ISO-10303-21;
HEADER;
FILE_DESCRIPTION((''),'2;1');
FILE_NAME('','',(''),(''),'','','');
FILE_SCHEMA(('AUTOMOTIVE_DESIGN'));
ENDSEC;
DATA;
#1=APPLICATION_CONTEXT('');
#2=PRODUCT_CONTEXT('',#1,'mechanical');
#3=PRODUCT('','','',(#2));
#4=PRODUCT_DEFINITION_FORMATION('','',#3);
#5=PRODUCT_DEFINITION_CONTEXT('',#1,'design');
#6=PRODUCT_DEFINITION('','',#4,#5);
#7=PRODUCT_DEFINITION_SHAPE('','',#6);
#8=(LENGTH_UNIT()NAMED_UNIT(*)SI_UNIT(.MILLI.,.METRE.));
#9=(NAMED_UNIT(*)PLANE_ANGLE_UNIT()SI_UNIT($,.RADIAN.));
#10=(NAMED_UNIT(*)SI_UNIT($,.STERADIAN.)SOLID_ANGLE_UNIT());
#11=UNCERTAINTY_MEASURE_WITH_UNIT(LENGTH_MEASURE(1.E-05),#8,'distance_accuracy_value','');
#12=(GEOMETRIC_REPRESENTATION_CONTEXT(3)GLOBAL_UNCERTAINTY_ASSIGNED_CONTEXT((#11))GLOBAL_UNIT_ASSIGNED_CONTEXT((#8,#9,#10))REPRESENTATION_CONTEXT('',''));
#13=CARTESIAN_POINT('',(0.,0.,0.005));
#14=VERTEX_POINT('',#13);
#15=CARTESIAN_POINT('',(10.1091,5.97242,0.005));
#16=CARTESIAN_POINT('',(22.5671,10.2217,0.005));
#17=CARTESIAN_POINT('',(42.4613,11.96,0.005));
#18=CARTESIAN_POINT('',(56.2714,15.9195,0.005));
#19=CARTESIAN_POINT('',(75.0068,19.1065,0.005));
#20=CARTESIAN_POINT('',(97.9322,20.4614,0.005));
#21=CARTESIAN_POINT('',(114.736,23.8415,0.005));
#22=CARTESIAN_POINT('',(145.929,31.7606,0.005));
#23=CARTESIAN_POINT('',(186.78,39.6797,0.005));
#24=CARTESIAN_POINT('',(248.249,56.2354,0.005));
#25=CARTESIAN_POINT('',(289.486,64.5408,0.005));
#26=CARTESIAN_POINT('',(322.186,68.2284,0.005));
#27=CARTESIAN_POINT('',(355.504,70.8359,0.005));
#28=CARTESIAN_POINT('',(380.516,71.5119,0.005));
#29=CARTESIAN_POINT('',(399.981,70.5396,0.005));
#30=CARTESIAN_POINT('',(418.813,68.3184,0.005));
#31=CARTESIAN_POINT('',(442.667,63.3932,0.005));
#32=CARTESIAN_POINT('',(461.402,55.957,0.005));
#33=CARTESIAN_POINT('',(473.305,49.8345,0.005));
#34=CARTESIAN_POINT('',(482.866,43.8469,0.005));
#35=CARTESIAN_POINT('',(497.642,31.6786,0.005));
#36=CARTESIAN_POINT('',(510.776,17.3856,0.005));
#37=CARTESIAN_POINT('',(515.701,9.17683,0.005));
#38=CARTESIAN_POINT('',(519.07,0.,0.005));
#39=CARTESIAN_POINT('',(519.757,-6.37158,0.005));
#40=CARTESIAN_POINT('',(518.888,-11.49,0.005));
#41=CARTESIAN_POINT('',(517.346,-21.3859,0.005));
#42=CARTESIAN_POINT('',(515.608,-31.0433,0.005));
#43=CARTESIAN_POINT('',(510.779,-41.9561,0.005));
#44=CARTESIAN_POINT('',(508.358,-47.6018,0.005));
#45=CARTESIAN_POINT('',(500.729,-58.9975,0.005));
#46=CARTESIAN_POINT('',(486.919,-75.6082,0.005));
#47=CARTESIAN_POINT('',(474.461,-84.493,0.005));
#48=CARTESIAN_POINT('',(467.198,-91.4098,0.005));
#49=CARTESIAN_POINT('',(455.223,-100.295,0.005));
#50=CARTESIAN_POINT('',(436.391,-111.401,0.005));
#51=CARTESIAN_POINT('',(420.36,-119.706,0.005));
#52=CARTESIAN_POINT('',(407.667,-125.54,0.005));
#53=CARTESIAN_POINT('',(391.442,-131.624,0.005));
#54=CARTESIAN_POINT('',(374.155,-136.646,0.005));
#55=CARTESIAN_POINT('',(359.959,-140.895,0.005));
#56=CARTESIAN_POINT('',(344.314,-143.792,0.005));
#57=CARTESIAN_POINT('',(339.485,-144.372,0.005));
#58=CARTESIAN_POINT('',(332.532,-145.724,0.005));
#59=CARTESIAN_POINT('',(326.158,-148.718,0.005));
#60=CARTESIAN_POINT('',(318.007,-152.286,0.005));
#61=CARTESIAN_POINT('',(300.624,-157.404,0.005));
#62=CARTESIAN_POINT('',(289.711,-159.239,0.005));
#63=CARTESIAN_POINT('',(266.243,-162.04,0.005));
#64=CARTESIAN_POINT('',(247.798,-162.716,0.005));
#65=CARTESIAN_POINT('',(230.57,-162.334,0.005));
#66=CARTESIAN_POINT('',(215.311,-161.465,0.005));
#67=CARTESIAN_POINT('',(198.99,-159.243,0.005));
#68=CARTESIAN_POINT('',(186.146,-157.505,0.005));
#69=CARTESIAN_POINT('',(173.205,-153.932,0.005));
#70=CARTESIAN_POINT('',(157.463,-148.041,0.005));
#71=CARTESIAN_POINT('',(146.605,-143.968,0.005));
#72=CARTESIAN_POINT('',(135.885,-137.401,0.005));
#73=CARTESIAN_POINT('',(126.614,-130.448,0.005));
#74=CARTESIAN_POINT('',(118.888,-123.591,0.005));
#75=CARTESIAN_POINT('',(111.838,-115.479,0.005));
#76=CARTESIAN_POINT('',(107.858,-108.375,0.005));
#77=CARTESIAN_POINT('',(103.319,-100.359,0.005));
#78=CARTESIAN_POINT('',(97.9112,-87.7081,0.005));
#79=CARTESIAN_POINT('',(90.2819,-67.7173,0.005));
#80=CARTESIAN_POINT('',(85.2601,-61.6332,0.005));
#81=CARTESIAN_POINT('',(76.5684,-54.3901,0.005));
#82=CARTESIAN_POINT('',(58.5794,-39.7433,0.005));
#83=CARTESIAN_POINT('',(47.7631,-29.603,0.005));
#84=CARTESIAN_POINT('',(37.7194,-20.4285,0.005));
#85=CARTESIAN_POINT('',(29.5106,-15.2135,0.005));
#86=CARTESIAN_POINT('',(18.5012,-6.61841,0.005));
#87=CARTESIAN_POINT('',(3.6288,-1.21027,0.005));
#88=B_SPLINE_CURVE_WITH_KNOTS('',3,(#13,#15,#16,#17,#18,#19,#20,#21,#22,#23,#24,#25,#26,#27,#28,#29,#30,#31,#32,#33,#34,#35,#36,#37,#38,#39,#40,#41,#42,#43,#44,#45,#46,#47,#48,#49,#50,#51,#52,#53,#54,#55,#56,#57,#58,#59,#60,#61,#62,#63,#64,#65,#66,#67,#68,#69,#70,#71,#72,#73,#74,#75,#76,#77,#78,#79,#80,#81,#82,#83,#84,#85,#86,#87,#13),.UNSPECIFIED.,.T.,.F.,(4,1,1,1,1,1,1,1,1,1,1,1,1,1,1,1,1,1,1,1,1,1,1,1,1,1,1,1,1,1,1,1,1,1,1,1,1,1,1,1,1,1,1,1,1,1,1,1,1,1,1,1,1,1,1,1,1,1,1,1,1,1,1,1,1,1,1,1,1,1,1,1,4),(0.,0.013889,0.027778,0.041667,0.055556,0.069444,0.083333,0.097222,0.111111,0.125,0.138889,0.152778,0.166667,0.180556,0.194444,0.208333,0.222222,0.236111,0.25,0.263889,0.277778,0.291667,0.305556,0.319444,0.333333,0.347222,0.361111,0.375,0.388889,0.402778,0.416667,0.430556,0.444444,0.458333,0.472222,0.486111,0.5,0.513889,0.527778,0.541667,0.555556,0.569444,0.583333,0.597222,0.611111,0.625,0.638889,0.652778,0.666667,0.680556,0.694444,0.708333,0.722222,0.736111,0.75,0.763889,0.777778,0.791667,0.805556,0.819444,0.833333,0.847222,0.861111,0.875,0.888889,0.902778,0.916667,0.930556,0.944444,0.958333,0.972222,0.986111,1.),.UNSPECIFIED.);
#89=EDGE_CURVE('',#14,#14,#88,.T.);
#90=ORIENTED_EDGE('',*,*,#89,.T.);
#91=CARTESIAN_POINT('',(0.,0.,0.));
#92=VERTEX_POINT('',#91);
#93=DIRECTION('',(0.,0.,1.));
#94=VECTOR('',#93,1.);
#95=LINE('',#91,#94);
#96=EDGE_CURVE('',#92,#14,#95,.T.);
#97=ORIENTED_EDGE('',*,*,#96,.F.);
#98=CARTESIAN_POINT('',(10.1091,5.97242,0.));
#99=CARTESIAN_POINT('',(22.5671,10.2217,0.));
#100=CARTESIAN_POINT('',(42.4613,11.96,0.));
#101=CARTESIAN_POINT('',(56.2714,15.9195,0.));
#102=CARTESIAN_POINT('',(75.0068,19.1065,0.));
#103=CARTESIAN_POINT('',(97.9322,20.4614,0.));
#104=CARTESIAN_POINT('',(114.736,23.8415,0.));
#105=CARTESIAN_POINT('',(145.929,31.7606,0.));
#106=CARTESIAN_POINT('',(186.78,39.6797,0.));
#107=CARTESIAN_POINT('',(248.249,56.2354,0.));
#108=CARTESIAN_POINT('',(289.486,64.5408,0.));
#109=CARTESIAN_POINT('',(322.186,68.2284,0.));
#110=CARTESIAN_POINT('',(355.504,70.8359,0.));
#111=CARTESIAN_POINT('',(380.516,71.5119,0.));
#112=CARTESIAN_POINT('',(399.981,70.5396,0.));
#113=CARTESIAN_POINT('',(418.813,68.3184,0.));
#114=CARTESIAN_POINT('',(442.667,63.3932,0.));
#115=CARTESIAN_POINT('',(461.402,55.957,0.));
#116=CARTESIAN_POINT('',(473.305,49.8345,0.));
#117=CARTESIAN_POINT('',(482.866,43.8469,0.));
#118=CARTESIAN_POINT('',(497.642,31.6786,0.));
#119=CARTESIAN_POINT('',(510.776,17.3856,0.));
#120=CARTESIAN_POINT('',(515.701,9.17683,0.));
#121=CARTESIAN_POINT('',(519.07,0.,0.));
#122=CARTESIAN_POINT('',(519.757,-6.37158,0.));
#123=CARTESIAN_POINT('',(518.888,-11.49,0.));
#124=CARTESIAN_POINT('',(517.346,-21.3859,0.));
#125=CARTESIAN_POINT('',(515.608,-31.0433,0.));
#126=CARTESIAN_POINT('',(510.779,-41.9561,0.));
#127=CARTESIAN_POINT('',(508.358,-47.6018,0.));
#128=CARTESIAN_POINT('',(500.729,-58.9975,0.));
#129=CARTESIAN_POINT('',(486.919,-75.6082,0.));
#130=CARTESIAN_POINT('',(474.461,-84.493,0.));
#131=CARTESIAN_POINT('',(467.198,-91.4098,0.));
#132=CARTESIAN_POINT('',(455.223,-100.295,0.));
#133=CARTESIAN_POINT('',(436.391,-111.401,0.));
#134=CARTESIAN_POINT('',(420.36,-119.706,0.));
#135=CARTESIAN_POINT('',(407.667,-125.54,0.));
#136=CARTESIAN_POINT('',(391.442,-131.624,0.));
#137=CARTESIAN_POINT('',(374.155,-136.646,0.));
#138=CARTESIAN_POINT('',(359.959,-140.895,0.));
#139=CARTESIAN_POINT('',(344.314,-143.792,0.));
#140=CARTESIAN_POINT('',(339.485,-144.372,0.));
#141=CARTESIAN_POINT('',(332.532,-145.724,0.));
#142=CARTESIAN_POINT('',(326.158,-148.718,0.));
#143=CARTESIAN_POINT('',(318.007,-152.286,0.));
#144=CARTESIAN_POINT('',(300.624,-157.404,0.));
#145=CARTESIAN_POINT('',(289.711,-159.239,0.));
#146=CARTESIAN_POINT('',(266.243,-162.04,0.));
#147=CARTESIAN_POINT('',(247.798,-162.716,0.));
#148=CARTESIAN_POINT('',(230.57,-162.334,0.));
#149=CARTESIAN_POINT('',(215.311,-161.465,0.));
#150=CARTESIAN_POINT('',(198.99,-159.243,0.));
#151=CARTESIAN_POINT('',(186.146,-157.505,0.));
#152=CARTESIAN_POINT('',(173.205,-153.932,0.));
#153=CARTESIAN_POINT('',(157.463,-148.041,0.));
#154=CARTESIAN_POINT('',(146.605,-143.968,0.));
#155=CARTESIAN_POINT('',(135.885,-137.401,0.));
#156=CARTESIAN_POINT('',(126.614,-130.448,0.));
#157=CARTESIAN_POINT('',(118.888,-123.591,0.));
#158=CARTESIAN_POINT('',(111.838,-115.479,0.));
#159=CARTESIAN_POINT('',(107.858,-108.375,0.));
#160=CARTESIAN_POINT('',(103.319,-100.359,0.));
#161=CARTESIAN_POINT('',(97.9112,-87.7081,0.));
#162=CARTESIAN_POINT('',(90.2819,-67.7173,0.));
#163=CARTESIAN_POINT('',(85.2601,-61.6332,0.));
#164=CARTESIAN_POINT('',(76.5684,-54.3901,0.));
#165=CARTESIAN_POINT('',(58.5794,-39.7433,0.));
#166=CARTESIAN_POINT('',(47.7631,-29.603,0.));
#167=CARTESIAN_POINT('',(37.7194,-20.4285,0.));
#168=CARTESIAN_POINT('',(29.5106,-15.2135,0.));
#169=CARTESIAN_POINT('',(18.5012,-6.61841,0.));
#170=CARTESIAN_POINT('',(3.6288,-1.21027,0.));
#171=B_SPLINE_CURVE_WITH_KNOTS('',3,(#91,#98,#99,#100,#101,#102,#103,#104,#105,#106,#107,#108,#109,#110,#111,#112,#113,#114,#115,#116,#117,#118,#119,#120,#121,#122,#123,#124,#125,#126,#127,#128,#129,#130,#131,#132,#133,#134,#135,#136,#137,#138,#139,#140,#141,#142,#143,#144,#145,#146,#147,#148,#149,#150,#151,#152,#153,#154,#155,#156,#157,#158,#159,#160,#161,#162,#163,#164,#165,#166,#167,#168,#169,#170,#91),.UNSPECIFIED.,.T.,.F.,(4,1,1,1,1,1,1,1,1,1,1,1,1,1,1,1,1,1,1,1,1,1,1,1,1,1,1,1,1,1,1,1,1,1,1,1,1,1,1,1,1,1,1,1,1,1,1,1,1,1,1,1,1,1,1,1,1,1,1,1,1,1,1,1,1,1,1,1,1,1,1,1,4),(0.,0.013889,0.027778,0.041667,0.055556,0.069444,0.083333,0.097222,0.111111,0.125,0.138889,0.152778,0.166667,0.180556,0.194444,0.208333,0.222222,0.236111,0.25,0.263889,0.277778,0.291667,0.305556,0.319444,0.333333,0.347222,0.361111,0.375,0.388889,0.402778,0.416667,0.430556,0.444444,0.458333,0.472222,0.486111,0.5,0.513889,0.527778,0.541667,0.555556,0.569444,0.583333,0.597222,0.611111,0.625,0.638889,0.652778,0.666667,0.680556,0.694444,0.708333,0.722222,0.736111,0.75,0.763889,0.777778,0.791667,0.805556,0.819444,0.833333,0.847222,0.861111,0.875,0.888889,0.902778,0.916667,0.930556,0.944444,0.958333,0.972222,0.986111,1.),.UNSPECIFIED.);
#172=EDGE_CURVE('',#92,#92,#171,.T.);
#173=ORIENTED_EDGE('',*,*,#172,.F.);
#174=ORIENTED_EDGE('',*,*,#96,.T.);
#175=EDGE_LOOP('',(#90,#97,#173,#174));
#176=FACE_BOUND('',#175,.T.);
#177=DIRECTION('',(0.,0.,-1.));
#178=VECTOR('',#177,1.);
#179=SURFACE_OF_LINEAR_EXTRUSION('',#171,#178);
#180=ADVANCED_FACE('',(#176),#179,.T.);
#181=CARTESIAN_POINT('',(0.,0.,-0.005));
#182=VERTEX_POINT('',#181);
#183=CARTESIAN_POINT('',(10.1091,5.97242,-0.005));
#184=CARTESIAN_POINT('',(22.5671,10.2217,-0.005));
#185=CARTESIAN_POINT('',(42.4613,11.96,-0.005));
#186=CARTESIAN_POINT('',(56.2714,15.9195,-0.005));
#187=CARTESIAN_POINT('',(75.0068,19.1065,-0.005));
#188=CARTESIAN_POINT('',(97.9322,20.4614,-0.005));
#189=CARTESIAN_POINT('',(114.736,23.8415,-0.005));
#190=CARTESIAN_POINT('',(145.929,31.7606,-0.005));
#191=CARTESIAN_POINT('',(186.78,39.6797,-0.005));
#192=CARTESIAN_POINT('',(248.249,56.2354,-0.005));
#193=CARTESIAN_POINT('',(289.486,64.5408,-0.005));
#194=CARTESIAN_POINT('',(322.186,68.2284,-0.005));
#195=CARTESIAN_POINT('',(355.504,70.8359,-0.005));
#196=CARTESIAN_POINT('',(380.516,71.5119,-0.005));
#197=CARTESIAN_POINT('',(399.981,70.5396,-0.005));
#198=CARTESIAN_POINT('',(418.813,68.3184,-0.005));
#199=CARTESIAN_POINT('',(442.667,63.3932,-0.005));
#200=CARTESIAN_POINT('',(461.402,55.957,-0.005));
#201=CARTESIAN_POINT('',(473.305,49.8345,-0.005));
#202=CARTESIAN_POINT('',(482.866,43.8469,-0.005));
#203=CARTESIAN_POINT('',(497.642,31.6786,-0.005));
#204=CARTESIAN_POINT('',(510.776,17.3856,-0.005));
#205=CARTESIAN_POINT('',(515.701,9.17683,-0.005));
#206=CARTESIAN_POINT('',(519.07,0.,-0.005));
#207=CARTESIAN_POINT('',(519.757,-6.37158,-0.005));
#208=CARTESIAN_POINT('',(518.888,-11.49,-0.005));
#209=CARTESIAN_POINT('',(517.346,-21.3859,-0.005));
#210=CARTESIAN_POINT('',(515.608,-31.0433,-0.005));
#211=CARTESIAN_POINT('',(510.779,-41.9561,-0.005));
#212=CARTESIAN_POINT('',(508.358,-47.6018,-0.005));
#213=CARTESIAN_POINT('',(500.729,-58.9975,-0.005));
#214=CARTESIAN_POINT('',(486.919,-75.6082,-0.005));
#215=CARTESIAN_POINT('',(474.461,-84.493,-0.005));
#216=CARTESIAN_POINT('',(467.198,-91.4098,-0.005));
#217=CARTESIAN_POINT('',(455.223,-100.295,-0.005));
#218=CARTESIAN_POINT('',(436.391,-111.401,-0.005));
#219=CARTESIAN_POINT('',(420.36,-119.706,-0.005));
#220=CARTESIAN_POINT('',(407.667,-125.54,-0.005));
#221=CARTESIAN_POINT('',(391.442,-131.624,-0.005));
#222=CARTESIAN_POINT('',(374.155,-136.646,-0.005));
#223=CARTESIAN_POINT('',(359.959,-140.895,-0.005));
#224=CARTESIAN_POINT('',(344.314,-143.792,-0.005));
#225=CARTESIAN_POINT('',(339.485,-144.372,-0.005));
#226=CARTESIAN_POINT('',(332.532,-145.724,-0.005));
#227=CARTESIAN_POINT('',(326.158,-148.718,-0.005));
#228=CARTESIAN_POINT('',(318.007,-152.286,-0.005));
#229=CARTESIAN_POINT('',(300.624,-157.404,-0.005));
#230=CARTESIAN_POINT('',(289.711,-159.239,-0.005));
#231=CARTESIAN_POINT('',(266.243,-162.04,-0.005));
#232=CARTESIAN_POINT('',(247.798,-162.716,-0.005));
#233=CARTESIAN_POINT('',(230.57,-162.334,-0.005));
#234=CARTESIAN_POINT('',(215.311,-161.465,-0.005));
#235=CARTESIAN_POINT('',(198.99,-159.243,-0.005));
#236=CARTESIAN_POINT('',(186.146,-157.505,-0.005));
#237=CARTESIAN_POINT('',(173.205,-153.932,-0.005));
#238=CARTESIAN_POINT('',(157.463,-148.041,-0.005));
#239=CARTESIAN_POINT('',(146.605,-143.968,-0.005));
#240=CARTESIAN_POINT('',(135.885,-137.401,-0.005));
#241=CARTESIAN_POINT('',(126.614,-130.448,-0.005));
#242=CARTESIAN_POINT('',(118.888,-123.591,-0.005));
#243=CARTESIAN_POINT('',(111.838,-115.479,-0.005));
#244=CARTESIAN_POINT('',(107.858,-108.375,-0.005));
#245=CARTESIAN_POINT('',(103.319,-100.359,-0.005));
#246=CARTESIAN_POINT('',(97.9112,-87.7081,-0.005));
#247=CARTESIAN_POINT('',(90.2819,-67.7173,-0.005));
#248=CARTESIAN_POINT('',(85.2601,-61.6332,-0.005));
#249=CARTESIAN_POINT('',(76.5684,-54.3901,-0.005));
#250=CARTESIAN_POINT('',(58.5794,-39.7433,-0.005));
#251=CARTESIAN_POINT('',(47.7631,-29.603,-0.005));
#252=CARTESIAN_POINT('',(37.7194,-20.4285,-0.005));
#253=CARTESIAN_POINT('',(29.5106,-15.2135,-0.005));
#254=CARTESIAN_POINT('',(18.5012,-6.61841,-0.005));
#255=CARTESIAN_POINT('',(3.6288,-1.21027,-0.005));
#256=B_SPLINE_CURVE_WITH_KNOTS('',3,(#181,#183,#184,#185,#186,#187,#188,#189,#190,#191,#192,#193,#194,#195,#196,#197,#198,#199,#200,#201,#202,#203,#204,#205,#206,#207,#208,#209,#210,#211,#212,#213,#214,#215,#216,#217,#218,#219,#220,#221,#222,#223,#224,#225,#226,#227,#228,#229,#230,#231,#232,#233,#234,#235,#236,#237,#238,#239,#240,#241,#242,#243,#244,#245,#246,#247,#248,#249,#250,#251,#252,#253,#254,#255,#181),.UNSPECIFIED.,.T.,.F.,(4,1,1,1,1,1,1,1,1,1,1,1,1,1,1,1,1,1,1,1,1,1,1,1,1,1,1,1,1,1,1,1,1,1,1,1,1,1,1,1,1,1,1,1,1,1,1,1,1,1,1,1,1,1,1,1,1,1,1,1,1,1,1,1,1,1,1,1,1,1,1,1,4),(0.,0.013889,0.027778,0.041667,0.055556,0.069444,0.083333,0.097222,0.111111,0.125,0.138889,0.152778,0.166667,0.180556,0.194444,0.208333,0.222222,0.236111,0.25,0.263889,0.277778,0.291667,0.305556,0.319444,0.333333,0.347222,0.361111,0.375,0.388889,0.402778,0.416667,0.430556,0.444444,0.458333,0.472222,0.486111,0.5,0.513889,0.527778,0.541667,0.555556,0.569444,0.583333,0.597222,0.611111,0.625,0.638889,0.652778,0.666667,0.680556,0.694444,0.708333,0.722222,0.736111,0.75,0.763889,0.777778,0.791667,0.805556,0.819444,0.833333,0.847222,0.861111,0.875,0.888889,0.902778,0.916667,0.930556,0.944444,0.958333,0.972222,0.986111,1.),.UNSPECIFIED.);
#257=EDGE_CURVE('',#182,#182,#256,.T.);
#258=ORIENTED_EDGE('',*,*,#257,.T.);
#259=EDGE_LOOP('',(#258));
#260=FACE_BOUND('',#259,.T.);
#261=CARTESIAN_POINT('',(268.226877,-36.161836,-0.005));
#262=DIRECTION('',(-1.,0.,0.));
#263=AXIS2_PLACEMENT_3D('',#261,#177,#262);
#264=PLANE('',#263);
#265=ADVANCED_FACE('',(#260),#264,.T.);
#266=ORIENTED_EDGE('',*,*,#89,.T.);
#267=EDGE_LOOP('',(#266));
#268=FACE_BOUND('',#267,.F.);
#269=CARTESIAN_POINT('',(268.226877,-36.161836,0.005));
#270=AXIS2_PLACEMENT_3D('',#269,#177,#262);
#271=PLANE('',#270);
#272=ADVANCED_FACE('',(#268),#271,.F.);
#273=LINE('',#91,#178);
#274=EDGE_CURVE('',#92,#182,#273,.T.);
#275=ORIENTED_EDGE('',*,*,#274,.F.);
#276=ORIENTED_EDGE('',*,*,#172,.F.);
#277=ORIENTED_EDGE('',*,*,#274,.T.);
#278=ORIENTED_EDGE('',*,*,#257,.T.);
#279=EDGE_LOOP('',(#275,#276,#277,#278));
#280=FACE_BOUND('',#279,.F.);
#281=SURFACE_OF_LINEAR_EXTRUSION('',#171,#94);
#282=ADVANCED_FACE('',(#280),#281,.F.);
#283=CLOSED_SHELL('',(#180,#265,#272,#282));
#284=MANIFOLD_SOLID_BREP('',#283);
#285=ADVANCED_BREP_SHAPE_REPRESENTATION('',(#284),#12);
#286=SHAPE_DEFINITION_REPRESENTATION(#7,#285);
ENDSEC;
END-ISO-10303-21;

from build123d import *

# Parameters (mm, degrees)
PAD_DEPTH = 0.005


with BuildPart() as part:
    # Sketch → Pad (new body, symmetric)
    with BuildSketch(Plane.XY):
        with BuildLine():
            add(Edge.make_bspline(
                [(0, 0), (10.1091, 5.97242), (22.5671, 10.2217), (42.4613, 11.96), (56.2714, 15.9195), (75.0068, 19.1065), (97.9322, 20.4614), (114.736, 23.8415), (145.929, 31.7606), (186.78, 39.6797), (248.249, 56.2354), (289.486, 64.5408), (322.186, 68.2284), (355.504, 70.8359), (380.516, 71.5119), (399.981, 70.5396), (418.813, 68.3184), (442.667, 63.3932), (461.402, 55.957), (473.305, 49.8345), (482.866, 43.8469), (497.642, 31.6786), (510.776, 17.3856), (515.701, 9.17683), (519.07, 0), (519.757, -6.37158), (518.888, -11.49), (517.346, -21.3859), (515.608, -31.0433), (510.779, -41.9561), (508.358, -47.6018), (500.729, -58.9975), (486.919, -75.6082), (474.461, -84.493), (467.198, -91.4098), (455.223, -100.295), (436.391, -111.401), (420.36, -119.706), (407.667, -125.54), (391.442, -131.624), (374.155, -136.646), (359.959, -140.895), (344.314, -143.792), (339.485, -144.372), (332.532, -145.724), (326.158, -148.718), (318.007, -152.286), (300.624, -157.404), (289.711, -159.239), (266.243, -162.04), (247.798, -162.716), (230.57, -162.334), (215.311, -161.465), (198.99, -159.243), (186.146, -157.505), (173.205, -153.932), (157.463, -148.041), (146.605, -143.968), (135.885, -137.401), (126.614, -130.448), (118.888, -123.591), (111.838, -115.479), (107.858, -108.375), (103.319, -100.359), (97.9112, -87.7081), (90.2819, -67.7173), (85.2601, -61.6332), (76.5684, -54.3901), (58.5794, -39.7433), (47.7631, -29.603), (37.7194, -20.4285), (29.5106, -15.2135), (18.5012, -6.61841), (3.6288, -1.21027), (0, 0)],
                knots=[0, 0, 0, 0, 0.013889, 0.027778, 0.041667, 0.055556, 0.069444, 0.083333, 0.097222, 0.111111, 0.125, 0.138889, 0.152778, 0.166667, 0.180556, 0.194444, 0.208333, 0.222222, 0.236111, 0.25, 0.263889, 0.277778, 0.291667, 0.305556, 0.319444, 0.333333, 0.347222, 0.361111, 0.375, 0.388889, 0.402778, 0.416667, 0.430556, 0.444444, 0.458333, 0.472222, 0.486111, 0.5, 0.513889, 0.527778, 0.541667, 0.555556, 0.569444, 0.583333, 0.597222, 0.611111, 0.625, 0.638889, 0.652778, 0.666667, 0.680556, 0.694444, 0.708333, 0.722222, 0.736111, 0.75, 0.763889, 0.777778, 0.791667, 0.805556, 0.819444, 0.833333, 0.847222, 0.861111, 0.875, 0.888889, 0.902778, 0.916667, 0.930556, 0.944444, 0.958333, 0.972222, 0.986111, 1, 1, 1, 1], degree=3))
        make_face()
    extrude(amount=PAD_DEPTH, both=True)


solid = part.part
